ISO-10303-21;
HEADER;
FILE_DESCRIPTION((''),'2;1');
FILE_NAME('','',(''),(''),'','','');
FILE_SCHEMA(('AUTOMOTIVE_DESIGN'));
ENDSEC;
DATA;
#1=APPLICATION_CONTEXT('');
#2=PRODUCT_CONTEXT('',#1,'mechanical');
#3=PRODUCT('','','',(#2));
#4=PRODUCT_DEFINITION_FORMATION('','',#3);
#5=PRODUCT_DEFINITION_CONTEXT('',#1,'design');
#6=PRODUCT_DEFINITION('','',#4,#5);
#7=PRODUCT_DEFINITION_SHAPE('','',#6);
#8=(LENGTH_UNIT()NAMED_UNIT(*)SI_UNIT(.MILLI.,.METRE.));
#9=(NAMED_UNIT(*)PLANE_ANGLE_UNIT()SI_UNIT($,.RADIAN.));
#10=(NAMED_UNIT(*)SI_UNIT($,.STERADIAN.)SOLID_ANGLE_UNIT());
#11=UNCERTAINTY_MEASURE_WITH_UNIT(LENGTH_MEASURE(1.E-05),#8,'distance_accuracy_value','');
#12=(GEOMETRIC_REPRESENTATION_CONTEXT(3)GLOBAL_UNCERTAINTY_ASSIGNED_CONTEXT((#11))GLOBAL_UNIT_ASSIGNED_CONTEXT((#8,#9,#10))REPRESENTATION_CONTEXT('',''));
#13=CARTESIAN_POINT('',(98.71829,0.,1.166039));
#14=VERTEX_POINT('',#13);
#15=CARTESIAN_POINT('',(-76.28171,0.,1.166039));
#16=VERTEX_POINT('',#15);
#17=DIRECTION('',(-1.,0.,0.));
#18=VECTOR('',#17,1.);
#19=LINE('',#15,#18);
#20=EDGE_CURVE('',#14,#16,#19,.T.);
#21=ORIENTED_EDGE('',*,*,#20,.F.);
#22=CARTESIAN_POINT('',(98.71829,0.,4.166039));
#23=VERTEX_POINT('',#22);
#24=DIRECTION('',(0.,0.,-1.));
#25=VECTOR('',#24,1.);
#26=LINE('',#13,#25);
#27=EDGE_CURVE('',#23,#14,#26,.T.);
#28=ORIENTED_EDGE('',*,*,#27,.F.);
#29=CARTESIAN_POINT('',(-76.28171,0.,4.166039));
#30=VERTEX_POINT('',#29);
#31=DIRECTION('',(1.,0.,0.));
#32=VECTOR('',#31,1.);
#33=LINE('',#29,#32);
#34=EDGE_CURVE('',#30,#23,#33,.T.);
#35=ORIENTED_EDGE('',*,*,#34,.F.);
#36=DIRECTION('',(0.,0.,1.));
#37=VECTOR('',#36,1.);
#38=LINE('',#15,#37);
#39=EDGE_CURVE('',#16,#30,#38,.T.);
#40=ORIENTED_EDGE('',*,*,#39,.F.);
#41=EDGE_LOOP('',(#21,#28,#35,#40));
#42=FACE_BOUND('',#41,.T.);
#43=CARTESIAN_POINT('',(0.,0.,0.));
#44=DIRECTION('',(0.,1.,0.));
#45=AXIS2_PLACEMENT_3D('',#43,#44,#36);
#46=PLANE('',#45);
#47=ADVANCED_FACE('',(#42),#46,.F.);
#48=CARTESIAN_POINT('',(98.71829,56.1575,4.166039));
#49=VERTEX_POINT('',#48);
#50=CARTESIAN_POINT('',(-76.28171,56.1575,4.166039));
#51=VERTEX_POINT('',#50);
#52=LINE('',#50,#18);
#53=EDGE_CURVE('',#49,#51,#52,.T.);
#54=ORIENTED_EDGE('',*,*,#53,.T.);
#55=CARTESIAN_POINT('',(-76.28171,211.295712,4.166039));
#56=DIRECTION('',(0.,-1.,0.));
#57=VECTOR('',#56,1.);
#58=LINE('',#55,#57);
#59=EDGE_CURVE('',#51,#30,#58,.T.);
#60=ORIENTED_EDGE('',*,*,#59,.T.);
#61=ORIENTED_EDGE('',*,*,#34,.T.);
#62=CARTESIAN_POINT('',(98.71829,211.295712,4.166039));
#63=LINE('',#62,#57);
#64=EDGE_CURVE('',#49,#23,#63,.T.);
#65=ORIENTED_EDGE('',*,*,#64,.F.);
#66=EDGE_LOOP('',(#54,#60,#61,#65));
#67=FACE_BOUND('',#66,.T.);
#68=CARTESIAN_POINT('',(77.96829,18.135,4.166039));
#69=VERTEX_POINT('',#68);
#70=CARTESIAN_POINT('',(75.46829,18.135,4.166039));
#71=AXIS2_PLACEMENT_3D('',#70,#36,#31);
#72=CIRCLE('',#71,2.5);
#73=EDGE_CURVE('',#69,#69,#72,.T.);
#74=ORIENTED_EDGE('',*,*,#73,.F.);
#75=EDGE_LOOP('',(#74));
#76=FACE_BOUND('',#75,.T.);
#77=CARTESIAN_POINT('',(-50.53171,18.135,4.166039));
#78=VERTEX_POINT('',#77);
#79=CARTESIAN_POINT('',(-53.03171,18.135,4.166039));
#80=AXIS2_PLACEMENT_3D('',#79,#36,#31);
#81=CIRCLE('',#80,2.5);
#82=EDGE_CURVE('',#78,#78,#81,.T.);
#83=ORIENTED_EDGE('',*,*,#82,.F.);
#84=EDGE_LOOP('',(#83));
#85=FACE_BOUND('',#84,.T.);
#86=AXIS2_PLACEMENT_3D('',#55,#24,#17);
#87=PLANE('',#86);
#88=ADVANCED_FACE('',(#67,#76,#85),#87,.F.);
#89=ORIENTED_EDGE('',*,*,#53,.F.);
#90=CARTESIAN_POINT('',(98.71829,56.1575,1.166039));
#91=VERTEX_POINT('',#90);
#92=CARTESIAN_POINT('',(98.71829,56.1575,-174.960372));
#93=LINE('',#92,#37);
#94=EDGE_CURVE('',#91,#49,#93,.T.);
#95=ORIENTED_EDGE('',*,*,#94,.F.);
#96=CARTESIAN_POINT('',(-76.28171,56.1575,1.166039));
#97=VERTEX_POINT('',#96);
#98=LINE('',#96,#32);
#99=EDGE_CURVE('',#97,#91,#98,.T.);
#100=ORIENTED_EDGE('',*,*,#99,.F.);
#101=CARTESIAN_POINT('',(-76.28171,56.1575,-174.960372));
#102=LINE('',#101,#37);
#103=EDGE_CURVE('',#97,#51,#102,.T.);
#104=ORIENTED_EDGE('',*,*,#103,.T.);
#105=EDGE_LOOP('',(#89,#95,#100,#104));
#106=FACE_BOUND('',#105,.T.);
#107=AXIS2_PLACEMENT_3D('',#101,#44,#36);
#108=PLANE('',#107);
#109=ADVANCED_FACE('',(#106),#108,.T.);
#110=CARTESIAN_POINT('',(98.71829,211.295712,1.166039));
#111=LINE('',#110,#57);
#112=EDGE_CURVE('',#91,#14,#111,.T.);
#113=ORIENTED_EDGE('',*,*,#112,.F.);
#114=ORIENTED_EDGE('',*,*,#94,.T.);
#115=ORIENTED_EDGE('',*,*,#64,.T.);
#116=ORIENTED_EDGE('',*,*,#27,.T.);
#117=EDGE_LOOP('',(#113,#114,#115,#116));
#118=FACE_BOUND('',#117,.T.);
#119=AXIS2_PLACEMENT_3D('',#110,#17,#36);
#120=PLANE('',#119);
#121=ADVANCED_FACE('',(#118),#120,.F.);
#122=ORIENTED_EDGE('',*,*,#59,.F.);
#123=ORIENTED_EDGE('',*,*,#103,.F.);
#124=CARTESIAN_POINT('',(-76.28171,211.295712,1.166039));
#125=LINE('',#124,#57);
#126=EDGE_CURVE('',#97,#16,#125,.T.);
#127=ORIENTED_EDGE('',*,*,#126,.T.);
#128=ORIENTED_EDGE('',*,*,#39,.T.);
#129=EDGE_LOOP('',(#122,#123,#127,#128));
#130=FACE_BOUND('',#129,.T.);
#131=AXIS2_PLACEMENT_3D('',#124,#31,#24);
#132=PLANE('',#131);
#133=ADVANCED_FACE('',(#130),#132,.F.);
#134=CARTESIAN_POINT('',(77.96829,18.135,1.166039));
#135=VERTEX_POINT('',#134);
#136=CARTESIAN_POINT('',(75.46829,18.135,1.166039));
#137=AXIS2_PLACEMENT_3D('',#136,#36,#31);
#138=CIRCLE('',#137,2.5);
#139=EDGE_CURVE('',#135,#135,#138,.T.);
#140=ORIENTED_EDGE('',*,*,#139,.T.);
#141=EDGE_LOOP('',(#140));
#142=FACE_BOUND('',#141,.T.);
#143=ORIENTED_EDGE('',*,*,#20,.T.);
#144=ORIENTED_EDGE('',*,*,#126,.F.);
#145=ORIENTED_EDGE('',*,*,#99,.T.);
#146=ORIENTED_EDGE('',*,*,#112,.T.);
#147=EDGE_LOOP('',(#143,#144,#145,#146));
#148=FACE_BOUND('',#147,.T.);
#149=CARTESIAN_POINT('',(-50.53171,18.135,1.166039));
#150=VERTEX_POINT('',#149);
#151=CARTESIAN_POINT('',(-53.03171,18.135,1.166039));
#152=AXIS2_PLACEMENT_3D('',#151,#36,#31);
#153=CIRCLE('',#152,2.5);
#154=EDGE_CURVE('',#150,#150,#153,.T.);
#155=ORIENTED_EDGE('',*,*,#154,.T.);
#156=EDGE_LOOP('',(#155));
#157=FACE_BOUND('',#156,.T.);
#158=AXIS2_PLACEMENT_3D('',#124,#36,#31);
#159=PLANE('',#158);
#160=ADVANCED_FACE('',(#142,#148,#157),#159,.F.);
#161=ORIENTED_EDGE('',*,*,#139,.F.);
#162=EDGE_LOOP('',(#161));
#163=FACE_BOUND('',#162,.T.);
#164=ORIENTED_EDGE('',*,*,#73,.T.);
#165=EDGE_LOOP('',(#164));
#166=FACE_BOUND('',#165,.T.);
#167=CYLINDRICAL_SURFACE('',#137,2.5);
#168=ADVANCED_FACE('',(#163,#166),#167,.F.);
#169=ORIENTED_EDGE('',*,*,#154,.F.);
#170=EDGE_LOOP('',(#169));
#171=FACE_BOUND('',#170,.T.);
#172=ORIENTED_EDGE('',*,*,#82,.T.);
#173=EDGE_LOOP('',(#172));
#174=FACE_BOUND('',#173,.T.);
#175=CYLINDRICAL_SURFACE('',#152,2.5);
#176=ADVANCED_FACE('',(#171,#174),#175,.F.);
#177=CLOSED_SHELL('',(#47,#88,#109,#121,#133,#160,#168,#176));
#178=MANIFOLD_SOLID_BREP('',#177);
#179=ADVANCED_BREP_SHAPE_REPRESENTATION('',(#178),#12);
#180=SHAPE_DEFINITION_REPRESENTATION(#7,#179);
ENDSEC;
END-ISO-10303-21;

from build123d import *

# Parameters (mm, degrees)
ESQUISSE2_W             = 175
ESQUISSE2_H             = 3
BOSS_EXTRU_1_DEPTH      = 36.27
ESQUISSE3_R             = 2.5
ENL_V_MAT_EXTRU_1_DEPTH = 106.213182302
SKETCH1_W               = 175
SKETCH1_H               = 19.88750008
BOSS_EXTRUDE1_DEPTH     = 3


with BuildPart() as part:
    # Esquisse2 → Boss.-Extru.1 (new body)
    with BuildSketch(Plane(origin=(0, 0, 0), x_dir=(1, 0, 0), z_dir=(0, 1, 0))):
        with Locations((11.218290251, -2.666038947)):
            Rectangle(ESQUISSE2_W, ESQUISSE2_H)
    extrude(amount=BOSS_EXTRU_1_DEPTH)

    # Esquisse3 → Enlèv. mat.-Extru.1 (cut, through all)
    with BuildSketch(Plane.XY.offset(4.166038947)):
        with Locations((-53.031709749, 18.135)):
            Circle(ESQUISSE3_R)
        with Locations((75.468290251, 18.135)):
            Circle(ESQUISSE3_R)
    extrude(amount=-ENL_V_MAT_EXTRU_1_DEPTH, mode=Mode.SUBTRACT)

    # Sketch1 → Boss-Extrude1 (add)
    with BuildSketch(Plane.XY.offset(4.166038947)):
        with Locations((11.218290251, 46.21375004)):
            Rectangle(SKETCH1_W, SKETCH1_H)
    extrude(amount=-BOSS_EXTRUDE1_DEPTH)


solid = part.part
